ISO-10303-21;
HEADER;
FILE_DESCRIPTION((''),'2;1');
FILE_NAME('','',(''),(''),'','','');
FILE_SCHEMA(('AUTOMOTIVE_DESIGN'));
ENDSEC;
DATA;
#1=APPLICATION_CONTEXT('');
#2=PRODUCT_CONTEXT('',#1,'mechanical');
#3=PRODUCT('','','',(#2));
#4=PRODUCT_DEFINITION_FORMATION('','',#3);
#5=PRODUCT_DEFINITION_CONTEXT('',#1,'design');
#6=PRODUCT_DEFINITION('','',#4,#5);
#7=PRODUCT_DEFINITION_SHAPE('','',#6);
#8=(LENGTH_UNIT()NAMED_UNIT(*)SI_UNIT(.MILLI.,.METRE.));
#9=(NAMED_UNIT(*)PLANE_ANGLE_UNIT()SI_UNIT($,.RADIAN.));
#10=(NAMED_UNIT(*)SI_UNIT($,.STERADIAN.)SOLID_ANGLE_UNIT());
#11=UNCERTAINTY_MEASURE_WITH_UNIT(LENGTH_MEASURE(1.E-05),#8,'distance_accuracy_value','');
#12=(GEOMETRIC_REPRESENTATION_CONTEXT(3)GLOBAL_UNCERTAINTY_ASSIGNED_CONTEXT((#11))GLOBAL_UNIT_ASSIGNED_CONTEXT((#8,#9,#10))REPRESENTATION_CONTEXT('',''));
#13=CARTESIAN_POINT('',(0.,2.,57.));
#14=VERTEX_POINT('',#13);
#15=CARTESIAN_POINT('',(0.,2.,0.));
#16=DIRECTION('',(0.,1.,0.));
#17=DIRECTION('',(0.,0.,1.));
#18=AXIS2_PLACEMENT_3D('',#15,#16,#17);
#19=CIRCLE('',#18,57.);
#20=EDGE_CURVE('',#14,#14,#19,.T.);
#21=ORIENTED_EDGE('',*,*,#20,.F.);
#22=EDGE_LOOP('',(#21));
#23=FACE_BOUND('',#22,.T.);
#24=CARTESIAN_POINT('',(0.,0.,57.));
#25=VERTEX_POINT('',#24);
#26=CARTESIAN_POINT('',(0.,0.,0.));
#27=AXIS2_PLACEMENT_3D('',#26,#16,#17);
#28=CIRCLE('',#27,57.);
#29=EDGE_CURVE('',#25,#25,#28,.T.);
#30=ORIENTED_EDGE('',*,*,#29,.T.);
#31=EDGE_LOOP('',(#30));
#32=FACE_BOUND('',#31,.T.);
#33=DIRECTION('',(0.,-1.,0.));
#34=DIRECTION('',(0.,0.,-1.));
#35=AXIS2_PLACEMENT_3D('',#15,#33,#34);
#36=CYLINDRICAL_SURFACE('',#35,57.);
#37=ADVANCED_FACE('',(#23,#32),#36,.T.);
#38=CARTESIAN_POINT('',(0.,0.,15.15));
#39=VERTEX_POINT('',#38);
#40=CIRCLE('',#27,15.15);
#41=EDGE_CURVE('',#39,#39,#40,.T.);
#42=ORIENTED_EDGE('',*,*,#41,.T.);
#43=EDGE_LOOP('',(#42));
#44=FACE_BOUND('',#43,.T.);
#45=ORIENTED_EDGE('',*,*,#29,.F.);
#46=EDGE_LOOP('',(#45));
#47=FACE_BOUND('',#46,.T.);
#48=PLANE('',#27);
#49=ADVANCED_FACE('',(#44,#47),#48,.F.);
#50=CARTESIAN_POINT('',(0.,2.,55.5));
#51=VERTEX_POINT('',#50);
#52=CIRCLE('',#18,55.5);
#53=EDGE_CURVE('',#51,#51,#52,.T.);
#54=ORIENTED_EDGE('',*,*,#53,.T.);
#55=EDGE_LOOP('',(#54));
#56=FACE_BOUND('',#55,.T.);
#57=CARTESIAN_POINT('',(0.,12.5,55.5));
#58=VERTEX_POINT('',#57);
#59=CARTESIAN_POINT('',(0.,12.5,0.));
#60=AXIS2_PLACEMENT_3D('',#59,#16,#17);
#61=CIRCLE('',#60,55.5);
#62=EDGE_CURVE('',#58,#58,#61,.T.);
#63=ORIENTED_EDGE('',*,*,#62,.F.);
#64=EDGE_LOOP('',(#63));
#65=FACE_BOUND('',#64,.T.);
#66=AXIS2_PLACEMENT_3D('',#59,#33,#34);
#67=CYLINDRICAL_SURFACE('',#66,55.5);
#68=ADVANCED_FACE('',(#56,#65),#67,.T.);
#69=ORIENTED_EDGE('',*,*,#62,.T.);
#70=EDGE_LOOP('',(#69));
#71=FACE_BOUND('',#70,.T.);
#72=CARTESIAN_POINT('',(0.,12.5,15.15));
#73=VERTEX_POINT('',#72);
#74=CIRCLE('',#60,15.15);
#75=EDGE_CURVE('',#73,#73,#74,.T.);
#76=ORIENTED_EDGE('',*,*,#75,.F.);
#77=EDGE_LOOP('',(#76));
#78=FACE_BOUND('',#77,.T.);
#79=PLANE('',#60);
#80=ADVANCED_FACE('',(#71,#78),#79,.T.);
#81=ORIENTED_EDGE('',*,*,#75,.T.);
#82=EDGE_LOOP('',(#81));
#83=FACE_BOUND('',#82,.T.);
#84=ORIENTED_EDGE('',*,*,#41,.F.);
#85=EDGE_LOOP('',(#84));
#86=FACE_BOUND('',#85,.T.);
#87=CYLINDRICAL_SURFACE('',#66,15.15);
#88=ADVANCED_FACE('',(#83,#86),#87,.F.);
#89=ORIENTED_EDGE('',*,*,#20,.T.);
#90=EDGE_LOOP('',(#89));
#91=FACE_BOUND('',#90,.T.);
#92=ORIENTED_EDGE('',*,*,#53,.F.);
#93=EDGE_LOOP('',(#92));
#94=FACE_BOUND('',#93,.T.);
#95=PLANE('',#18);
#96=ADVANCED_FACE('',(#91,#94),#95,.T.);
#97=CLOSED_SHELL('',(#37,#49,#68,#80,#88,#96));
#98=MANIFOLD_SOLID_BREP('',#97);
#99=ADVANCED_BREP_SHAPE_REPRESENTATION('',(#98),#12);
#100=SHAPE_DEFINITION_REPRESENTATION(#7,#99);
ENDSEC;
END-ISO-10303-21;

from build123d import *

# Parameters (mm, degrees)
SKETCH1_R           = 55.5
SKETCH1_R_2         = 15.15
BOSS_EXTRUDE1_DEPTH = 12.5
BOSS_EXTRUDE3_START = -12.5
SKETCH3_R           = 57
SKETCH3_R_2         = 55.5
BOSS_EXTRUDE3_DEPTH = 2


with BuildPart() as part:
    # Sketch1 → Boss-Extrude1 (new body)
    with BuildSketch(Plane(origin=(0, 0, 0), x_dir=(1, 0, 0), z_dir=(0, 1, 0))):
        Circle(SKETCH1_R)
        Circle(SKETCH1_R_2, mode=Mode.SUBTRACT)
    extrude(amount=BOSS_EXTRUDE1_DEPTH)

    # Sketch3 → Boss-Extrude3 (add)
    with BuildSketch(Plane(origin=(0, 12.5, 0), x_dir=(1, 0, 0), z_dir=(0, 1, 0)).offset(BOSS_EXTRUDE3_START)):
        Circle(SKETCH3_R)
        Circle(SKETCH3_R_2, mode=Mode.SUBTRACT)
    extrude(amount=BOSS_EXTRUDE3_DEPTH)


solid = part.part
